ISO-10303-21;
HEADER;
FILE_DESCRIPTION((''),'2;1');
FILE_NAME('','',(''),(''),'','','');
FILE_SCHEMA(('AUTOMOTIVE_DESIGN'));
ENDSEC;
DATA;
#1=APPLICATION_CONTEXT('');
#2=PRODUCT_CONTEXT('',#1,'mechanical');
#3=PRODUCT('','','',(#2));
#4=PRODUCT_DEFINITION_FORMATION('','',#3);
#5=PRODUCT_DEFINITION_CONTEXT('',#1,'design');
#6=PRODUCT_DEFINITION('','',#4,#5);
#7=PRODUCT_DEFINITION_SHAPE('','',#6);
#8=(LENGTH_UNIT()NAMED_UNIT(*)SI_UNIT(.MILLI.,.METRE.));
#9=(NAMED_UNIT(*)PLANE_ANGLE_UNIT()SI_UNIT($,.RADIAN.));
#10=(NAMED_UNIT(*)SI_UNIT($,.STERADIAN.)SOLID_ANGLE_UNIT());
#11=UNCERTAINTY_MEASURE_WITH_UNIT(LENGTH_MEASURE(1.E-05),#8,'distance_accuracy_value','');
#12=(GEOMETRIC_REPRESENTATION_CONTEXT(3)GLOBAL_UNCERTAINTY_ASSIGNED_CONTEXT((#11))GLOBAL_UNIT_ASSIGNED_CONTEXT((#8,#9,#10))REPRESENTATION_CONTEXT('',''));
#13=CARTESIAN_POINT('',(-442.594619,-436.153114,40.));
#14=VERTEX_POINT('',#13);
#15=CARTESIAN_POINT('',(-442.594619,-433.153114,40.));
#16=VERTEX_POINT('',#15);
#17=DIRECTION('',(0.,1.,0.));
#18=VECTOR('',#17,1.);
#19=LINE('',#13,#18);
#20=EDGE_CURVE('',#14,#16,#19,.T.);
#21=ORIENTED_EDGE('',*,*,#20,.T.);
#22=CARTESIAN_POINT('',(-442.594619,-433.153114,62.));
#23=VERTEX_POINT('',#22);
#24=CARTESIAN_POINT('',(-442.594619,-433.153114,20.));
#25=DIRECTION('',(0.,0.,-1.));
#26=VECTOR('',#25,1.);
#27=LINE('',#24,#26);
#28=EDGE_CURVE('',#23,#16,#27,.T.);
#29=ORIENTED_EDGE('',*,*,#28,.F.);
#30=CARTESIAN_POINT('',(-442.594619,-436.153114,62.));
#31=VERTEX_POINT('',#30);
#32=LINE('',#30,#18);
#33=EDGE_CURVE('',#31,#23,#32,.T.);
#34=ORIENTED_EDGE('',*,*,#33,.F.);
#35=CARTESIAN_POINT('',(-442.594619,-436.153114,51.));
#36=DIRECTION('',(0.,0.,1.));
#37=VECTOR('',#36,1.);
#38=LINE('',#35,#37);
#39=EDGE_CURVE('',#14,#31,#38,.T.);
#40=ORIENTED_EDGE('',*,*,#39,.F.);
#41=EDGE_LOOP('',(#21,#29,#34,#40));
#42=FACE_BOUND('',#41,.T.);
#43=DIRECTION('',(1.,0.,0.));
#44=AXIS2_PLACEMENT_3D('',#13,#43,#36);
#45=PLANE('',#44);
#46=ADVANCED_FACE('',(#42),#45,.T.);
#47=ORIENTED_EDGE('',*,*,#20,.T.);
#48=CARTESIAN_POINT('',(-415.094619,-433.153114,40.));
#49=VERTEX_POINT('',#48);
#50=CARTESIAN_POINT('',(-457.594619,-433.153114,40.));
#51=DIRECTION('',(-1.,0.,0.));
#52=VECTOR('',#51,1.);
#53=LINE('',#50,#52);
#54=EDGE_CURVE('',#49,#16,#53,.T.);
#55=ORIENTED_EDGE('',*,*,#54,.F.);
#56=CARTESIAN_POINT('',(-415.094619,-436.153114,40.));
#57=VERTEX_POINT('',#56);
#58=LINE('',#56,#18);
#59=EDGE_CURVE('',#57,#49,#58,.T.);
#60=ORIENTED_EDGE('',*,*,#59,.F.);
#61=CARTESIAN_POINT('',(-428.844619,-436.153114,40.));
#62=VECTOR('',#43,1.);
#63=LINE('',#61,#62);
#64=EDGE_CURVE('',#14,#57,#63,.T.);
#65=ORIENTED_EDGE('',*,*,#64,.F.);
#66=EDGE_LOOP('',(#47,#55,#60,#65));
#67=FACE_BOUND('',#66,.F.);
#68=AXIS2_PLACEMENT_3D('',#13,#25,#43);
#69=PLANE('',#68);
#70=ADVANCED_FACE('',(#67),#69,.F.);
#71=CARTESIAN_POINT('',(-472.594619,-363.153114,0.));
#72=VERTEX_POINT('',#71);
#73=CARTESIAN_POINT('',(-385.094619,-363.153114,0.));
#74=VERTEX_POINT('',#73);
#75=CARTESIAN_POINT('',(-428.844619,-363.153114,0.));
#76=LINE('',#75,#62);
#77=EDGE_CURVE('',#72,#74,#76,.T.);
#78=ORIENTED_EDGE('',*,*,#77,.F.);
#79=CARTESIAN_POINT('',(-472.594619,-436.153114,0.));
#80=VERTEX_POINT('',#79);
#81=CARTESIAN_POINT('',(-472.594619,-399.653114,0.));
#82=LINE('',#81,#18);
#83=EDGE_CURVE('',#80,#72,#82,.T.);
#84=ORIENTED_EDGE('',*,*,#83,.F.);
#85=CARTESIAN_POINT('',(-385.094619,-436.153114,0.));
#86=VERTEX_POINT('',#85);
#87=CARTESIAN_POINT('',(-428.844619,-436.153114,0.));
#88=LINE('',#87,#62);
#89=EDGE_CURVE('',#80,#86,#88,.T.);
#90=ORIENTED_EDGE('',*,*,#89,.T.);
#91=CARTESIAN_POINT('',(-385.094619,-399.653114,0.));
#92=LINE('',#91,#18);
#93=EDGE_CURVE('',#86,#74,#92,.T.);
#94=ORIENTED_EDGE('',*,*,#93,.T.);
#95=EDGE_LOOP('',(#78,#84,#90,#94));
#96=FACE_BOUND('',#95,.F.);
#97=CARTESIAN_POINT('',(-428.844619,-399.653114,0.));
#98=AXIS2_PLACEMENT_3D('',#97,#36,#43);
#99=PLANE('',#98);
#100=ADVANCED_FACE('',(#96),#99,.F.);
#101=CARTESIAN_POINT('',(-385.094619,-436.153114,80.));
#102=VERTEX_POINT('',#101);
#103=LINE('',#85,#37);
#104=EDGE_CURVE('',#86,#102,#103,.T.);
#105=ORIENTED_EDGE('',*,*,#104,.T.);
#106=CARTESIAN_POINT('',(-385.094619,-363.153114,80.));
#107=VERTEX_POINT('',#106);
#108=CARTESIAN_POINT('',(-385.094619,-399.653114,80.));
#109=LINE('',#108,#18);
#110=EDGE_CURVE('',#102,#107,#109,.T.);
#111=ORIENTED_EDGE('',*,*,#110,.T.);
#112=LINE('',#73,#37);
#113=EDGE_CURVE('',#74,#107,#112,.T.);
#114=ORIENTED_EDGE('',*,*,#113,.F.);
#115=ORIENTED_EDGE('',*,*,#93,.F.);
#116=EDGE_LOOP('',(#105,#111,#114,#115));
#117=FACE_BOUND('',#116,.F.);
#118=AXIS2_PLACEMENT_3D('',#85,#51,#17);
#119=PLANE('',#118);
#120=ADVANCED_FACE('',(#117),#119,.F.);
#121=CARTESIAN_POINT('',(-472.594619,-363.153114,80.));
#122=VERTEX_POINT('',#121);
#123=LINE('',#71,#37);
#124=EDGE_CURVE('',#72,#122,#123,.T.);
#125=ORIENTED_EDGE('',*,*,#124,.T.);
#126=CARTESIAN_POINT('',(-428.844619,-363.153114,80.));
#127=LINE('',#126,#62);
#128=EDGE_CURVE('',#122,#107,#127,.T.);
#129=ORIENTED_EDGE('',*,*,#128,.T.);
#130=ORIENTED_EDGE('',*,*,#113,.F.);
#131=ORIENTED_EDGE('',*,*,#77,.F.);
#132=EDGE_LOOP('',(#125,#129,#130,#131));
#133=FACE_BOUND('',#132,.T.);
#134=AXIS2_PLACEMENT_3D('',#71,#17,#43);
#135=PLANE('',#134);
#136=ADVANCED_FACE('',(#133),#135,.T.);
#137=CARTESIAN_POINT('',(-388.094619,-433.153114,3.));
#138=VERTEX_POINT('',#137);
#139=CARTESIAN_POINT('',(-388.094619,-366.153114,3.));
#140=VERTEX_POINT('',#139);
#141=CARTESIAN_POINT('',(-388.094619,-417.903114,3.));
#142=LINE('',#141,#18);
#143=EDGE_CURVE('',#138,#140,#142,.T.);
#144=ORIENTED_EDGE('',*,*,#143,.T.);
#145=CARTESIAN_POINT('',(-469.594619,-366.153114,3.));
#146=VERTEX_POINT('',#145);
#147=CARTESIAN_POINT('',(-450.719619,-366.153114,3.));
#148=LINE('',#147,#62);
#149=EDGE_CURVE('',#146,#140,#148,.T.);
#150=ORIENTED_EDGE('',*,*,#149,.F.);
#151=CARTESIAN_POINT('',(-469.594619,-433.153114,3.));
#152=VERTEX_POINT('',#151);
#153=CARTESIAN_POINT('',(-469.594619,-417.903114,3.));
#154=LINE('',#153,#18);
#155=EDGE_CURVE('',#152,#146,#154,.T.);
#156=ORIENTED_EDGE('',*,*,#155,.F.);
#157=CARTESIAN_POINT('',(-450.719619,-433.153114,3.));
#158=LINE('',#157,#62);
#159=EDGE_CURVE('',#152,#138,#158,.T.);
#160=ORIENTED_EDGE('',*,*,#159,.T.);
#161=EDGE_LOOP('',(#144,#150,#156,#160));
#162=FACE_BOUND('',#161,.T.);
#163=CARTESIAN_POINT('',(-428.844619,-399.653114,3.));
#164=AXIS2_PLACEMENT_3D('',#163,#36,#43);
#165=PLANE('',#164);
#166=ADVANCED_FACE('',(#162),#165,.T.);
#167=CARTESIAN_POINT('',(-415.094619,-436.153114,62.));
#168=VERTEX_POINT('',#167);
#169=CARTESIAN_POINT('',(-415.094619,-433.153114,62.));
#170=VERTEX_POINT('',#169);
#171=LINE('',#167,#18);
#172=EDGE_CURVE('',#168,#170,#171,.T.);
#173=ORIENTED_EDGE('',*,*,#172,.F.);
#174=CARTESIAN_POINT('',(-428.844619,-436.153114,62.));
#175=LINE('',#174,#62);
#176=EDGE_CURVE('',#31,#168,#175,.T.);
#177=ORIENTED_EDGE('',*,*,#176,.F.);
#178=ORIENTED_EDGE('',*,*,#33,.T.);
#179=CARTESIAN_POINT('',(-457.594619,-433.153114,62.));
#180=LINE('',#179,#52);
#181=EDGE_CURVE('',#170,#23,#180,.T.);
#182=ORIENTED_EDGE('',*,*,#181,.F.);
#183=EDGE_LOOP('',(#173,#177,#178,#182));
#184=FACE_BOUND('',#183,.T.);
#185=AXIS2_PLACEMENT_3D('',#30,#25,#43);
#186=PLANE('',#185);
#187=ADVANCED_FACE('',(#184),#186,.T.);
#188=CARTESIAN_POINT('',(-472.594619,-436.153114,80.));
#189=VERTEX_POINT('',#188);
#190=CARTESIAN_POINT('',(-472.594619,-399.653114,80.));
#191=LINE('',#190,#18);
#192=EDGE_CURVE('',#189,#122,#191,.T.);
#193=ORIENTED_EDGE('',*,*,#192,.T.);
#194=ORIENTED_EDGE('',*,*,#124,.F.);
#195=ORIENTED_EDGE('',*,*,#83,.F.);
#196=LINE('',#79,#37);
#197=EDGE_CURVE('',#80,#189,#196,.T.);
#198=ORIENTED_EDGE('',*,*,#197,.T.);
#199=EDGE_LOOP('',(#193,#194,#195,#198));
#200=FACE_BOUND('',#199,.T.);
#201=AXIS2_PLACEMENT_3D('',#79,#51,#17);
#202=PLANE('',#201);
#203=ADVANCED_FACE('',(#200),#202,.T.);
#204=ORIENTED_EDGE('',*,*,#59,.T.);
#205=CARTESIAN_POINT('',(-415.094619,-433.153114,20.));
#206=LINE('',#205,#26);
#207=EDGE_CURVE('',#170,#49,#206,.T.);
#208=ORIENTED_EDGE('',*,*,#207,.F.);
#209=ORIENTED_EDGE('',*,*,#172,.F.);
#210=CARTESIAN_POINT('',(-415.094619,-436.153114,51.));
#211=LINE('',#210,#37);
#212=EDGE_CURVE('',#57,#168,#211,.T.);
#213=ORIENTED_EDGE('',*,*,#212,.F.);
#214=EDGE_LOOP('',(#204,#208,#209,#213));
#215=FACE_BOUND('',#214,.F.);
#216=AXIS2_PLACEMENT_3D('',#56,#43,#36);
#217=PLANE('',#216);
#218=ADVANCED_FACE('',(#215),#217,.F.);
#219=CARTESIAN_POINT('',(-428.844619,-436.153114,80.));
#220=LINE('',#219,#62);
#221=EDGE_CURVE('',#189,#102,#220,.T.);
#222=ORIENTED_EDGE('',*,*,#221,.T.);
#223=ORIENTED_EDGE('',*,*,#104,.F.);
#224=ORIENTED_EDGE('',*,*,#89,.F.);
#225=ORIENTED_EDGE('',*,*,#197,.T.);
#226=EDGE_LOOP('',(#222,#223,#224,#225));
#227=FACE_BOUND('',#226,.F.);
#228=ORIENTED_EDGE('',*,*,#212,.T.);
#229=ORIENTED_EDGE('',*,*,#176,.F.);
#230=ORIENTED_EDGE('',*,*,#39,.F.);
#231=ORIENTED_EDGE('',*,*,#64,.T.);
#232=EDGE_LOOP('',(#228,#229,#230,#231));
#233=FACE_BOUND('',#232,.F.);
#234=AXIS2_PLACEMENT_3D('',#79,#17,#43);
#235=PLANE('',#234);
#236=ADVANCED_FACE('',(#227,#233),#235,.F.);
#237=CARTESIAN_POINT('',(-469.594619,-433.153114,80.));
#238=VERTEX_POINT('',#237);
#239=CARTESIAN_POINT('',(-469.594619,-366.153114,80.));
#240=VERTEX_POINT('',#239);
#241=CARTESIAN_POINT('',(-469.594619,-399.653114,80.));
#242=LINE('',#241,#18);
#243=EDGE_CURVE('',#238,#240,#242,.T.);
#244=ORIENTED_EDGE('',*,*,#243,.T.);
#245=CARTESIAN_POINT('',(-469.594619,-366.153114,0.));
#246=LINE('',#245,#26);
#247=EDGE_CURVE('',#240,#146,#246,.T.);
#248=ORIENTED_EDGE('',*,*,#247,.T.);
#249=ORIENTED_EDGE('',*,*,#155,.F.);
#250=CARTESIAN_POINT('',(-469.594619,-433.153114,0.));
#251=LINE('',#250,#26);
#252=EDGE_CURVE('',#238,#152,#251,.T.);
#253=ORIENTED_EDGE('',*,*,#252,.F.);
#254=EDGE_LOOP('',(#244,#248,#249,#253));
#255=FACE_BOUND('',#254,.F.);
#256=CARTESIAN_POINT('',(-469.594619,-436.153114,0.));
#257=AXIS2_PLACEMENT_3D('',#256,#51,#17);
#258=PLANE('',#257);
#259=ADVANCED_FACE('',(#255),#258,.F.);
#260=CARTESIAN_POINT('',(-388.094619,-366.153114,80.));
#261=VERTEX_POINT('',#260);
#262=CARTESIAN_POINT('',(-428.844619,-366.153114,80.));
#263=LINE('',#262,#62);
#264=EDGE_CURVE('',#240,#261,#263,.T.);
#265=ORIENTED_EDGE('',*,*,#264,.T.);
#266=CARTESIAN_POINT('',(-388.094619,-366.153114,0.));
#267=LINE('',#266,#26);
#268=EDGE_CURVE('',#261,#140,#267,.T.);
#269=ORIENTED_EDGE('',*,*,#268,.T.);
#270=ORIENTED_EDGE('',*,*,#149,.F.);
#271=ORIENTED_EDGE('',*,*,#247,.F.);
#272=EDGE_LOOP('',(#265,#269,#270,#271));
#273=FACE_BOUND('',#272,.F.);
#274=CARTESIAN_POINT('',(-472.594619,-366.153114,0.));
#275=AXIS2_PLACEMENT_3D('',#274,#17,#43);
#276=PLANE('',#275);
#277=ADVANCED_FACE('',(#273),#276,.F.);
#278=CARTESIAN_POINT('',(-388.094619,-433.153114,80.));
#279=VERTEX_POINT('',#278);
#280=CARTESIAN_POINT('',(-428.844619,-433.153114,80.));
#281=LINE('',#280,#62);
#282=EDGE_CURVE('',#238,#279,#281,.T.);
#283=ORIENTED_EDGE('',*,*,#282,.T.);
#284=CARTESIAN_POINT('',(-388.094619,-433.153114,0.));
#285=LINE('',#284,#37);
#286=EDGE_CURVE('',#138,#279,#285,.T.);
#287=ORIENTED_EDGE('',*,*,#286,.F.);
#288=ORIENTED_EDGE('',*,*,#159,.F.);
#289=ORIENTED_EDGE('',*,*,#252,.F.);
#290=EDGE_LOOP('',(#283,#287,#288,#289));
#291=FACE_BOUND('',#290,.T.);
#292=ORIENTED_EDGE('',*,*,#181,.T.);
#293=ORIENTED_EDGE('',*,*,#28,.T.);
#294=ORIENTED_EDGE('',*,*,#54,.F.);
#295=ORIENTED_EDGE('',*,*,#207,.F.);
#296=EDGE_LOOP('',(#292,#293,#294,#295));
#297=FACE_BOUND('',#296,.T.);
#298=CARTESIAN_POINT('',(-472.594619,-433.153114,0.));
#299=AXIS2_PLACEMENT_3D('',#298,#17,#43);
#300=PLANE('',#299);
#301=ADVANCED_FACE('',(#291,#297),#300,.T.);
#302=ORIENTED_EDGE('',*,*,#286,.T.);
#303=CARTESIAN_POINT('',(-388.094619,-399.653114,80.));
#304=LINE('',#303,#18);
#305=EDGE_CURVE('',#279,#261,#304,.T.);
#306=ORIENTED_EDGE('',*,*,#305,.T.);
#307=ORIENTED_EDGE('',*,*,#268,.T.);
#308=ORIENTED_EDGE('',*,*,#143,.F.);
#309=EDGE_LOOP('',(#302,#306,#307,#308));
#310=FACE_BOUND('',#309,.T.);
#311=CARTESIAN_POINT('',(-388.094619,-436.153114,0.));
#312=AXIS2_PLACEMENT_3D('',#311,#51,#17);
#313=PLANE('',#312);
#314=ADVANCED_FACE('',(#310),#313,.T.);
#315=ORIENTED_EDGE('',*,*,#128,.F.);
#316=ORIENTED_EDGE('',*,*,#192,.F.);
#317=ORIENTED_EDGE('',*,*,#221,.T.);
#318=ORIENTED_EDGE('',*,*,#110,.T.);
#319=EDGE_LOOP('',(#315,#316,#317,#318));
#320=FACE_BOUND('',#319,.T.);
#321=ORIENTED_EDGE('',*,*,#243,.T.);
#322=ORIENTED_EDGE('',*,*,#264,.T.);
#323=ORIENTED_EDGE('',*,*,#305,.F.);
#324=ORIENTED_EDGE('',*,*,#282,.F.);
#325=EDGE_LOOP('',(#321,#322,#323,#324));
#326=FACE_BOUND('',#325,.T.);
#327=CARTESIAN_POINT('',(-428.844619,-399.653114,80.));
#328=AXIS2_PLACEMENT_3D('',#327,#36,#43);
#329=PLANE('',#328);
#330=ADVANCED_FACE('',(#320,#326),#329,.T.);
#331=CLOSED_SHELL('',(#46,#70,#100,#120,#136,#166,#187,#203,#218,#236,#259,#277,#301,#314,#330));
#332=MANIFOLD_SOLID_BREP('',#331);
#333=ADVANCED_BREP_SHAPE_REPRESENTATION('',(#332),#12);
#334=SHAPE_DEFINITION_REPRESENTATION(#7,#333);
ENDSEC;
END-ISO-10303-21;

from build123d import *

# Parameters (mm, degrees)
F0_W     = 87.5
F0_H     = 73
F1_DEPTH = 80
F2_T     = -3
F3_W     = 27.5
F3_H     = 22
F4_DEPTH = 3.1


with BuildPart() as f1:
    # F0 (on Top) → F1 (new body)
    with BuildSketch(Plane.XY):
        with Locations((-428.844619, -399.653114)):
            Rectangle(F0_W, F0_H)
    extrude(amount=F1_DEPTH)

    # F2
    f2_openings = [f1.faces().sort_by_distance(p)[0] for p in [
        (-428.844619, -399.653114, 80),
    ]]
    offset(amount=F2_T, openings=f2_openings)

    # F3 (on face) → F4 (cut)
    with BuildSketch(Plane.XZ.offset(436.153114)):
        with Locations((-428.844619, 51)):
            Rectangle(F3_W, F3_H)
    extrude(amount=-F4_DEPTH, mode=Mode.SUBTRACT)


solid = f1.part
